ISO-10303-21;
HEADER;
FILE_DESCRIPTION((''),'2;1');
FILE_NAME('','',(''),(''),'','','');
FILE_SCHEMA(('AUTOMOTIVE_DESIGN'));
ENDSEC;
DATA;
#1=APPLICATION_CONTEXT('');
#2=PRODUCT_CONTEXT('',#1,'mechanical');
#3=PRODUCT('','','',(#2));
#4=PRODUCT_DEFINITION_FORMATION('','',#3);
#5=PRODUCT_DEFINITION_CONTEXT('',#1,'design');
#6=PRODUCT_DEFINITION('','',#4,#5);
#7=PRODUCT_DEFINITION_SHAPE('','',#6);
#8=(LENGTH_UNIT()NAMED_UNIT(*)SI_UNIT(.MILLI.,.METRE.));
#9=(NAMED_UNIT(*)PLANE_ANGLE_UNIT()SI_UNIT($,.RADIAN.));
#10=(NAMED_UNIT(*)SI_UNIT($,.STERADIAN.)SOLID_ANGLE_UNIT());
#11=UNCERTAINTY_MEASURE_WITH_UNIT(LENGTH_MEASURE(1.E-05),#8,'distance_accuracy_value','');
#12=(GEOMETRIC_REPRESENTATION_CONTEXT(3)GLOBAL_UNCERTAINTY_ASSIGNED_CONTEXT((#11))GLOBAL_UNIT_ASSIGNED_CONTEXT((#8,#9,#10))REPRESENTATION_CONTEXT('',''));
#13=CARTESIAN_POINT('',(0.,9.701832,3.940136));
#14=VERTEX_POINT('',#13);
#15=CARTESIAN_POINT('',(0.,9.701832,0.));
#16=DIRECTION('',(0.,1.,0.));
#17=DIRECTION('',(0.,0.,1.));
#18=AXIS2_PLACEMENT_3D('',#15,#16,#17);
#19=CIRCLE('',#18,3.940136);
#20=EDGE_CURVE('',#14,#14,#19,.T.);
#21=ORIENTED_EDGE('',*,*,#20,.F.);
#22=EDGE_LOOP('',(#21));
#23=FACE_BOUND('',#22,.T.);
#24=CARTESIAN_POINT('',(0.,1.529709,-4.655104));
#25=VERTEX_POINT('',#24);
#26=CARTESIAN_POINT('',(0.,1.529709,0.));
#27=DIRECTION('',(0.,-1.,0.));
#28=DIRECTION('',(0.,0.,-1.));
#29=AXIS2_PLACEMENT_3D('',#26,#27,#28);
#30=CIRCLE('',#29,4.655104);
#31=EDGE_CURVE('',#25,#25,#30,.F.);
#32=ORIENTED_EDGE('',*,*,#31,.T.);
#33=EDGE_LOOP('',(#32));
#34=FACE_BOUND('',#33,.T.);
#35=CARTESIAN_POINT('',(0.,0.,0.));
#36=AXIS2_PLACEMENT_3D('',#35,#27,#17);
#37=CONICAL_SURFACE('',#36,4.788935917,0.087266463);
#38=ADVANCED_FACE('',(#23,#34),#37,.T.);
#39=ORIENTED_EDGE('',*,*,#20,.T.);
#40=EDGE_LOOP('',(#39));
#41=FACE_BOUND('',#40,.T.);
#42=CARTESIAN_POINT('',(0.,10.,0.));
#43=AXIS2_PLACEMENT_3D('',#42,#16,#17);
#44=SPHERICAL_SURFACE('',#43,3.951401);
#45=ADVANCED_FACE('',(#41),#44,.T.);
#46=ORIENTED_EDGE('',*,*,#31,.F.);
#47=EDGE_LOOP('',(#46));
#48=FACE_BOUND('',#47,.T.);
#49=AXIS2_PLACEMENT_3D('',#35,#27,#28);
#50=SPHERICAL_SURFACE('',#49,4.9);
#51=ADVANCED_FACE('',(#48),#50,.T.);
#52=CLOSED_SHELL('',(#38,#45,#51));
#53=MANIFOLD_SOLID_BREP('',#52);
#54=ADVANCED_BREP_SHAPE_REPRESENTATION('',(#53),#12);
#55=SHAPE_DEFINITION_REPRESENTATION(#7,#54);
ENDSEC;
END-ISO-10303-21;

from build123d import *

# Parameters (mm, degrees)
SKETCH2_R           = 4.788935917
BOSS_EXTRUDE1_DEPTH = 10
BOSS_EXTRUDE1_TAPER = 5


with BuildPart() as part:
    # Sketch1 → Revolve1 (revolve)
    with BuildSketch(Plane(origin=(0, 0, 0), x_dir=(1, 0, 0), z_dir=(0, 1, 0))):
        with BuildLine():
            Line((0, 4.9), (0, -4.9))
            ThreePointArc((0, -4.9), (4.9, 0), (0, 4.9))
        make_face()
    revolve(axis=Axis((0, 0, -4.9), (0, 0, 1)))

    # Sketch2 → Boss-Extrude1 (add)
    with BuildSketch(Plane(origin=(0, 0, 0), x_dir=(1, 0, 0), z_dir=(0, 1, 0))):
        Circle(SKETCH2_R)
    extrude(amount=BOSS_EXTRUDE1_DEPTH, taper=BOSS_EXTRUDE1_TAPER)

    # Sketch3 → Revolve2 (revolve)
    with BuildSketch(Plane(origin=(0, 10, 0), x_dir=(1, 0, 0), z_dir=(0, 1, 0))):
        with BuildLine():
            Line((0, 3.951401393), (0, -3.951401393))
            ThreePointArc((0, -3.951401393), (3.951401393, 0), (0, 3.951401393))
        make_face()
    revolve(axis=Axis((0, 10, -3.951401393), (0, 0, 1)))


solid = part.part
